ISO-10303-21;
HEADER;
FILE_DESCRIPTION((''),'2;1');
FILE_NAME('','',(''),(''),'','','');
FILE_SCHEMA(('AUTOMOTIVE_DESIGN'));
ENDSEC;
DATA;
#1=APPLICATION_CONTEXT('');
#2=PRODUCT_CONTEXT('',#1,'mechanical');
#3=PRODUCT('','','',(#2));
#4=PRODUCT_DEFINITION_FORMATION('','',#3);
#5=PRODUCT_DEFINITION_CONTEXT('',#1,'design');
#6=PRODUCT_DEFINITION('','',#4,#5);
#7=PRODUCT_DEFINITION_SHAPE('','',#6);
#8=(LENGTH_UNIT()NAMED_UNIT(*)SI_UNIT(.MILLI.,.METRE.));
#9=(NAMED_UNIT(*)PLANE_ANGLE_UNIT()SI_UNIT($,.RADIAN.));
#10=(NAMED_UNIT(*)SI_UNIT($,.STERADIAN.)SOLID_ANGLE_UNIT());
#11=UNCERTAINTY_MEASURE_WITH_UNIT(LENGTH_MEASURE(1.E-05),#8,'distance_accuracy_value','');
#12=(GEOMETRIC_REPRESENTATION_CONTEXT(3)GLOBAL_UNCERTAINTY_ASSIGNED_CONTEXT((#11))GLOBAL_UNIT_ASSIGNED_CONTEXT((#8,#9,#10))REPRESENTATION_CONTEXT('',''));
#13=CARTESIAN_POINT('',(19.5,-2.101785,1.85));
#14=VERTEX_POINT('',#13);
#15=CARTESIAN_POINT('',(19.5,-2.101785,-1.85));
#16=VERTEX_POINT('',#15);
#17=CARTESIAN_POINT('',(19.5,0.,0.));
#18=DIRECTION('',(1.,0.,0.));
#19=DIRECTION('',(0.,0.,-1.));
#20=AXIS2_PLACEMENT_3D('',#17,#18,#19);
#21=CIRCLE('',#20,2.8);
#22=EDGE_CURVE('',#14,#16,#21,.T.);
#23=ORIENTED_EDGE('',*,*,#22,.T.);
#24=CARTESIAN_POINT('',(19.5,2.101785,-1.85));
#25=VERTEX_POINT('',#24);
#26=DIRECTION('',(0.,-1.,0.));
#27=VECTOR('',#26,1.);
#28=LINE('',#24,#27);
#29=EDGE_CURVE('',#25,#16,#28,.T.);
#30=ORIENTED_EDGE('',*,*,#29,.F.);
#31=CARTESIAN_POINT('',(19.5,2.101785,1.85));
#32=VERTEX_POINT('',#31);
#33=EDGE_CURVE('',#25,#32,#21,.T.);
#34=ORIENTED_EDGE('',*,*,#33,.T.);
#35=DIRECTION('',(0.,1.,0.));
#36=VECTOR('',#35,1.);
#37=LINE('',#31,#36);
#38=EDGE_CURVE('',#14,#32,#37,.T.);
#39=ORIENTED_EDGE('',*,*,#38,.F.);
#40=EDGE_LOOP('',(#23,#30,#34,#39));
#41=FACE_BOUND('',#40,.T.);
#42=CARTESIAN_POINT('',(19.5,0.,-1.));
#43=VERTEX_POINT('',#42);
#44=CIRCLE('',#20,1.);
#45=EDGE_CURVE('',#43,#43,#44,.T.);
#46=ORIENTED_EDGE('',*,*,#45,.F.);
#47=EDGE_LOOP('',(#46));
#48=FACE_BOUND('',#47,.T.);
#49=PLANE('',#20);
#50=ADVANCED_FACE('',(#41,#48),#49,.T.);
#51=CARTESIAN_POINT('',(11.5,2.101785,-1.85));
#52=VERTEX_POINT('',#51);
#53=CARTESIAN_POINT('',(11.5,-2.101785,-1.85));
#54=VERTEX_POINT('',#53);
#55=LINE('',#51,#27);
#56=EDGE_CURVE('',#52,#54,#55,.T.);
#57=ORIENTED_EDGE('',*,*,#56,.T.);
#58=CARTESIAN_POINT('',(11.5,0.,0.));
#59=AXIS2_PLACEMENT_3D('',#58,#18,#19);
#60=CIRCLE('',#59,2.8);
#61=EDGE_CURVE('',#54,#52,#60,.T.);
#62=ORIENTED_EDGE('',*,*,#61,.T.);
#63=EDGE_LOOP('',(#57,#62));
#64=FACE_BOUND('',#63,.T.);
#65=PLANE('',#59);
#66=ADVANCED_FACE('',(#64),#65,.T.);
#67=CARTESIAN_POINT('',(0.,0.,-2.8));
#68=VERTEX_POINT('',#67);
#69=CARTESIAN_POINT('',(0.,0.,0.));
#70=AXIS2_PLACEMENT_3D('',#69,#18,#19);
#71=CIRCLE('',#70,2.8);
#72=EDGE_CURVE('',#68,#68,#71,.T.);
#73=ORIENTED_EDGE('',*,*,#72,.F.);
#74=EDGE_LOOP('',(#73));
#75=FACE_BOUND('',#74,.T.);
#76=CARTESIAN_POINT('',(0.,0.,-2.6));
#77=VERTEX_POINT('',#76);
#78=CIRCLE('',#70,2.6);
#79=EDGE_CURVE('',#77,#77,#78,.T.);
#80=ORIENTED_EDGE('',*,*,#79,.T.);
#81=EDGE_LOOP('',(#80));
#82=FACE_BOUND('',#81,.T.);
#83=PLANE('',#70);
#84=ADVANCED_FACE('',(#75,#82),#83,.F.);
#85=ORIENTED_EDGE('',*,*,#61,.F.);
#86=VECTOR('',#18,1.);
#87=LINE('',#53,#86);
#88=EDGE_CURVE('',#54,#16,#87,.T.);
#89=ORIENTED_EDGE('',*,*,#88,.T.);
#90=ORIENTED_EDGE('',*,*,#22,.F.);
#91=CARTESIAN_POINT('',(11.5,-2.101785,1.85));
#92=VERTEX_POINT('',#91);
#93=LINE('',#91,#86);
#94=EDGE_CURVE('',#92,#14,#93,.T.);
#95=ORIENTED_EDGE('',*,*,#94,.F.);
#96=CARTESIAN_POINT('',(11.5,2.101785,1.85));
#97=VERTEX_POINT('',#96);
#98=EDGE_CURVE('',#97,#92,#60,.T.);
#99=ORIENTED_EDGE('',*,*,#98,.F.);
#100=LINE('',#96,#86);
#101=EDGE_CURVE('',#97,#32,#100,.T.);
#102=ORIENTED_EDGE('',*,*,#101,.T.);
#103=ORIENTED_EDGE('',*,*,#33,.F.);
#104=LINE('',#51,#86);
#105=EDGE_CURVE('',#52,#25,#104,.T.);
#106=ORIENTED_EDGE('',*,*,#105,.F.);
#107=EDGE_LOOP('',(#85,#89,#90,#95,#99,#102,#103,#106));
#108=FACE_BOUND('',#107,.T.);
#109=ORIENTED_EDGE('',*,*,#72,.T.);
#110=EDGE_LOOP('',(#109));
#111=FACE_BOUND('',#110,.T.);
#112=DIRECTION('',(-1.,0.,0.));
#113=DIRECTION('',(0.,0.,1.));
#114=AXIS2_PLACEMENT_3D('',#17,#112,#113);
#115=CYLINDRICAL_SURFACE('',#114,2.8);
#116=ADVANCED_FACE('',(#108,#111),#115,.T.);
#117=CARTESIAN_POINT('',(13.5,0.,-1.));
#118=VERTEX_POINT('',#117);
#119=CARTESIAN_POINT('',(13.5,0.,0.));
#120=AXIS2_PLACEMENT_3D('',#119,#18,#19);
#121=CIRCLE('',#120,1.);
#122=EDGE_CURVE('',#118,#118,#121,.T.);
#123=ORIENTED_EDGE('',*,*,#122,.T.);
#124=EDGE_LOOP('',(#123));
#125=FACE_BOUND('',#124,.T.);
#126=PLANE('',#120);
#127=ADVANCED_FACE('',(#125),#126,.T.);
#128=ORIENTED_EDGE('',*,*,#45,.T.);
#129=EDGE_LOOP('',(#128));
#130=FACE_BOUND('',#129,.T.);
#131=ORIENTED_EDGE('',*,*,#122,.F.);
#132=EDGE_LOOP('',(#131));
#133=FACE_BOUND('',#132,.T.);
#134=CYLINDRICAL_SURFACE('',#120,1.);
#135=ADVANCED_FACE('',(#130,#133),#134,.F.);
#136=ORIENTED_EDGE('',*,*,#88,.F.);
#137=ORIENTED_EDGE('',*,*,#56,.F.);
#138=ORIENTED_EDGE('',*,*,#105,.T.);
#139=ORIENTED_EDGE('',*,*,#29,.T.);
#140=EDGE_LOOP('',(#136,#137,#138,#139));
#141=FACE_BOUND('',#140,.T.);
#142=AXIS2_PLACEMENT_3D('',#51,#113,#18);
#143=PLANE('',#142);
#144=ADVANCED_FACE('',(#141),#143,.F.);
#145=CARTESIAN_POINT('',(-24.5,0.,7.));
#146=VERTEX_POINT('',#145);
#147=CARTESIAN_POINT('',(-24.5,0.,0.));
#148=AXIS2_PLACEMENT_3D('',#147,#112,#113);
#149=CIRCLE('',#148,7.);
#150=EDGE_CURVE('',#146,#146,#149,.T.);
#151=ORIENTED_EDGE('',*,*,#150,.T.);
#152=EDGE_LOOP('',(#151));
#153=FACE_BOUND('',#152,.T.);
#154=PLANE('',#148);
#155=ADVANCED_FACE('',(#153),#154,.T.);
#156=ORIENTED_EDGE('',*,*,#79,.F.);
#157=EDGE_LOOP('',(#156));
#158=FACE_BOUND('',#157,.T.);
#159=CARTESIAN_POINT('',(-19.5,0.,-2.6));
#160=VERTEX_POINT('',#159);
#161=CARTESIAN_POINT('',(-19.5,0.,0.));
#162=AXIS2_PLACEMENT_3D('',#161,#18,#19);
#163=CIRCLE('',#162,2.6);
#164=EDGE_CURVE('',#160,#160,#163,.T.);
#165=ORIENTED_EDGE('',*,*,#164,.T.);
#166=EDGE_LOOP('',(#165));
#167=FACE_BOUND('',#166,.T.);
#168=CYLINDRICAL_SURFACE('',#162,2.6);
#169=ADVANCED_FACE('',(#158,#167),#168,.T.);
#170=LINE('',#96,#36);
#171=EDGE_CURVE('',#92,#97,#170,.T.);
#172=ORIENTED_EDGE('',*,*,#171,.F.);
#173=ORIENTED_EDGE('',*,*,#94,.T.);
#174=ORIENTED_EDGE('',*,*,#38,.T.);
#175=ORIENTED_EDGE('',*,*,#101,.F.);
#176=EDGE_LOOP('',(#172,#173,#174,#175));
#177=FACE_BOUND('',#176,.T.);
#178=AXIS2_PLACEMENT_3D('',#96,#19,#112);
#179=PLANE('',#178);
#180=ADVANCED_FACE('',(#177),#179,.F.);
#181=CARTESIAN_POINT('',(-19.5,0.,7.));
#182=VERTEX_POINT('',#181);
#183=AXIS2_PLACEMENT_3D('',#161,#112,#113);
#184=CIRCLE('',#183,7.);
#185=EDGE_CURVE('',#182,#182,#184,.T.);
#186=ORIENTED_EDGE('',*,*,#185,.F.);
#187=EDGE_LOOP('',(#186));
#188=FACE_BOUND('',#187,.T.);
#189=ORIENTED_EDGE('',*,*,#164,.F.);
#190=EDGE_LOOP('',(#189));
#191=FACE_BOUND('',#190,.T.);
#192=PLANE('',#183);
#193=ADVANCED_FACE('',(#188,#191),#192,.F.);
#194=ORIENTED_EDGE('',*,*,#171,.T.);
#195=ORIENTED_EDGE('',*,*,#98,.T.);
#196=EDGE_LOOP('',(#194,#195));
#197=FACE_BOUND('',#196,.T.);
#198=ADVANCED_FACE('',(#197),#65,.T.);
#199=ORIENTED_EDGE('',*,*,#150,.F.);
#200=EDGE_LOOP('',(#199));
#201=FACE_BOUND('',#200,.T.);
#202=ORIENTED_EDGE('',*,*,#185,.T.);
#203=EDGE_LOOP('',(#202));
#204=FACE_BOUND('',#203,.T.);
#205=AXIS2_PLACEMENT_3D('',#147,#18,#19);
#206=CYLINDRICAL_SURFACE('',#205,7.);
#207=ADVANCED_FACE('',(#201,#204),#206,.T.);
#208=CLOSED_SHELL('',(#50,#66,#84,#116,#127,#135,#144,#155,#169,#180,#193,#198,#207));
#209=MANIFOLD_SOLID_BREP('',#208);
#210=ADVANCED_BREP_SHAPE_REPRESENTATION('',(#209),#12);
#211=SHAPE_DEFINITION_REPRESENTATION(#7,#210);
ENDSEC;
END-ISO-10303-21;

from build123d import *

# Parameters (mm, degrees)
SKETCH1_R           = 2.8
BOSS_EXTRUDE1_DEPTH = 19.5
CUT_EXTRUDE1_DEPTH  = 8
SKETCH3_R           = 1
CUT_EXTRUDE2_DEPTH  = 6
SKETCH5_R           = 7
BOSS_EXTRUDE2_DEPTH = 5
SKETCH7_R           = 2.9
SKETCH7_R_2         = 2.6
CUT_EXTRUDE3_DEPTH  = 19.5


with BuildPart() as part:
    # Sketch1 → Boss-Extrude1 (new, symmetric)
    with BuildSketch(Plane(origin=(0, 0, 0), x_dir=(0, 0, -1), z_dir=(1, 0, 0))):
        Circle(SKETCH1_R)
    extrude(amount=BOSS_EXTRUDE1_DEPTH, both=True)

    # Sketch2 → Cut-Extrude1 (cut)
    with BuildSketch(Plane(origin=(19.5, 0, 0), x_dir=(0, 0, -1), z_dir=(1, 0, 0))):
        with BuildLine():
            Line((-1.85, 2.101784956), (-1.85, -2.101784956))
            ThreePointArc((-1.85, -2.101784956), (-2.8, 0), (-1.85, 2.101784956))
        make_face()
        with BuildLine():
            Line((1.85, 2.101784956), (1.85, -2.101784956))
            ThreePointArc((1.85, -2.101784956), (2.8, 0), (1.85, 2.101784956))
        make_face()
    extrude(amount=-CUT_EXTRUDE1_DEPTH, mode=Mode.SUBTRACT)

    # Sketch3 → Cut-Extrude2 (cut)
    with BuildSketch(Plane(origin=(19.5, 0, 0), x_dir=(0, 0, -1), z_dir=(1, 0, 0))):
        Circle(SKETCH3_R)
    extrude(amount=-CUT_EXTRUDE2_DEPTH, mode=Mode.SUBTRACT)

    # Sketch5 → Boss-Extrude2 (add)
    with BuildSketch(Plane.ZY.offset(19.5)):
        Circle(SKETCH5_R)
    extrude(amount=BOSS_EXTRUDE2_DEPTH)

    # Sketch7 → Cut-Extrude3 (cut)
    with BuildSketch(Plane(origin=(0, 0, 0), x_dir=(0, 0, -1), z_dir=(1, 0, 0))):
        Circle(SKETCH7_R)
        Circle(SKETCH7_R_2, mode=Mode.SUBTRACT)
    extrude(amount=-CUT_EXTRUDE3_DEPTH, mode=Mode.SUBTRACT)


solid = part.part
